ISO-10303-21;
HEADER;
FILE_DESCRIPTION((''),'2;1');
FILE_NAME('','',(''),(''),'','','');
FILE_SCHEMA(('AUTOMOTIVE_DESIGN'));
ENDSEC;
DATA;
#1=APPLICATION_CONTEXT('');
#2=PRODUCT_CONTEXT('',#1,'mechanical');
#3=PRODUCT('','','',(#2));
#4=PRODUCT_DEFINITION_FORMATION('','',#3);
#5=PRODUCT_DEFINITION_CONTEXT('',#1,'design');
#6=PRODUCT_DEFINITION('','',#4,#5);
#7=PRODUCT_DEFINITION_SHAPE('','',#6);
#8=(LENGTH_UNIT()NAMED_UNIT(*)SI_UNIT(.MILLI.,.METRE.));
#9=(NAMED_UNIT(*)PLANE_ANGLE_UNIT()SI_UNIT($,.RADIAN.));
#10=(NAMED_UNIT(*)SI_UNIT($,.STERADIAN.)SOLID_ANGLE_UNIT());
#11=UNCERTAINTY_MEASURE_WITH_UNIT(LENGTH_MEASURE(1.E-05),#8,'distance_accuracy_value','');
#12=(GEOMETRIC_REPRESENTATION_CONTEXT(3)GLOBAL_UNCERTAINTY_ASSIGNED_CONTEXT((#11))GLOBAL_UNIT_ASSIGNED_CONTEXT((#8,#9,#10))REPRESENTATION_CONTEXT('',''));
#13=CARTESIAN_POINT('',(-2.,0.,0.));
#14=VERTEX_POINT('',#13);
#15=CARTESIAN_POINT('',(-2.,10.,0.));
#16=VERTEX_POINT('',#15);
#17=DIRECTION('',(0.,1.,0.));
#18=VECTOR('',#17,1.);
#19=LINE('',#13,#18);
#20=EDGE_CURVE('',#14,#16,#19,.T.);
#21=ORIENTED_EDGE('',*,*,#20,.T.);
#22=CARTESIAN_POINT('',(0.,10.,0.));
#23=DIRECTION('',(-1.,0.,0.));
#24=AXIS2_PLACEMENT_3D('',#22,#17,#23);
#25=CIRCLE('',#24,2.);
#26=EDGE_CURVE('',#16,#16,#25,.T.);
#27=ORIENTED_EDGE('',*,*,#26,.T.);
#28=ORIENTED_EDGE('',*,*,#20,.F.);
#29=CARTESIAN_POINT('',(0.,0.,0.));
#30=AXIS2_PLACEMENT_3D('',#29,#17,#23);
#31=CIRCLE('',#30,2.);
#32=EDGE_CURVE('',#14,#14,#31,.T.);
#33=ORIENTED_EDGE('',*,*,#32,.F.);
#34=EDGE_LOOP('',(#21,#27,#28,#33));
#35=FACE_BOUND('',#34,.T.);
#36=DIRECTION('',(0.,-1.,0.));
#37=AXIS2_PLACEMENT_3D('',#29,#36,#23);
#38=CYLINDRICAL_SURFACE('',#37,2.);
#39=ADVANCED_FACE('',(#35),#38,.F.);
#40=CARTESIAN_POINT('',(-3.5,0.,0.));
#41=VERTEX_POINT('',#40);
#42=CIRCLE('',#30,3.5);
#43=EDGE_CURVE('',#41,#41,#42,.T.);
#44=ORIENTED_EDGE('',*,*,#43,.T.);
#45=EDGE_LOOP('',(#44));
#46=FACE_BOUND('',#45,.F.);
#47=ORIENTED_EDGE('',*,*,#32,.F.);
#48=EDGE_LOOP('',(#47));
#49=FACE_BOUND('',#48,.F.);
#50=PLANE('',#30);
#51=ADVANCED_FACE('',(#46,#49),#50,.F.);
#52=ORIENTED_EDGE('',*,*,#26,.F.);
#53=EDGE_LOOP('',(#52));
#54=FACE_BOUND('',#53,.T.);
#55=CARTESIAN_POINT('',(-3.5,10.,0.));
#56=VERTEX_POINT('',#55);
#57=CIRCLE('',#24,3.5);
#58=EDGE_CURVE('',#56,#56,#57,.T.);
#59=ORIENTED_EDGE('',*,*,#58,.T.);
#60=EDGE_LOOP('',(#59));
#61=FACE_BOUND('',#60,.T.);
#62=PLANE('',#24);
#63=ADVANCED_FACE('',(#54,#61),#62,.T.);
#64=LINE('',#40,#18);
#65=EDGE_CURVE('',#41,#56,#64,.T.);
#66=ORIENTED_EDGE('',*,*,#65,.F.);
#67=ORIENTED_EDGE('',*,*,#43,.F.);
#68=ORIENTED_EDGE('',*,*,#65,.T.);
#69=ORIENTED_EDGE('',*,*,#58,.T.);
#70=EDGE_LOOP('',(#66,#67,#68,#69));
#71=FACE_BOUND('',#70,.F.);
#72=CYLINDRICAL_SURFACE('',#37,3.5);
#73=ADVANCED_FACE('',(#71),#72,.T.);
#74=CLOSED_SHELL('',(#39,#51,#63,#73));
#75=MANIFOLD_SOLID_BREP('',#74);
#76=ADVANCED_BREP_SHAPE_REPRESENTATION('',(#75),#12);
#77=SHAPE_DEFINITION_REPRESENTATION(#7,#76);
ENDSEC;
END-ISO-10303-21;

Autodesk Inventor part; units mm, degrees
ref_plane "YZ Plane" through (0, 0, 0) normal (1, 0, 0) x (0, 1, 0)
ref_plane "XZ Plane" through (0, 0, 0) normal (0, 1, 0) x (-1, 0, 0)
ref_plane "XY Plane" through (0, 0, 0) normal (0, 0, 1) x (1, 0, 0)
sketch "Sketch1" plane through (0, 0, 0) normal (0, 1, 0) x (-1, 0, 0)
  circle A0 centre (0, 0) radius 2
  circle A1 centre (0, 0) radius 3.5
  dimension "d0" = 4
  dimension "d1" = 7
extrude "Extrusion1" add sketch "Sketch1" along normal blind 10
properties part number "10mm spacer"
